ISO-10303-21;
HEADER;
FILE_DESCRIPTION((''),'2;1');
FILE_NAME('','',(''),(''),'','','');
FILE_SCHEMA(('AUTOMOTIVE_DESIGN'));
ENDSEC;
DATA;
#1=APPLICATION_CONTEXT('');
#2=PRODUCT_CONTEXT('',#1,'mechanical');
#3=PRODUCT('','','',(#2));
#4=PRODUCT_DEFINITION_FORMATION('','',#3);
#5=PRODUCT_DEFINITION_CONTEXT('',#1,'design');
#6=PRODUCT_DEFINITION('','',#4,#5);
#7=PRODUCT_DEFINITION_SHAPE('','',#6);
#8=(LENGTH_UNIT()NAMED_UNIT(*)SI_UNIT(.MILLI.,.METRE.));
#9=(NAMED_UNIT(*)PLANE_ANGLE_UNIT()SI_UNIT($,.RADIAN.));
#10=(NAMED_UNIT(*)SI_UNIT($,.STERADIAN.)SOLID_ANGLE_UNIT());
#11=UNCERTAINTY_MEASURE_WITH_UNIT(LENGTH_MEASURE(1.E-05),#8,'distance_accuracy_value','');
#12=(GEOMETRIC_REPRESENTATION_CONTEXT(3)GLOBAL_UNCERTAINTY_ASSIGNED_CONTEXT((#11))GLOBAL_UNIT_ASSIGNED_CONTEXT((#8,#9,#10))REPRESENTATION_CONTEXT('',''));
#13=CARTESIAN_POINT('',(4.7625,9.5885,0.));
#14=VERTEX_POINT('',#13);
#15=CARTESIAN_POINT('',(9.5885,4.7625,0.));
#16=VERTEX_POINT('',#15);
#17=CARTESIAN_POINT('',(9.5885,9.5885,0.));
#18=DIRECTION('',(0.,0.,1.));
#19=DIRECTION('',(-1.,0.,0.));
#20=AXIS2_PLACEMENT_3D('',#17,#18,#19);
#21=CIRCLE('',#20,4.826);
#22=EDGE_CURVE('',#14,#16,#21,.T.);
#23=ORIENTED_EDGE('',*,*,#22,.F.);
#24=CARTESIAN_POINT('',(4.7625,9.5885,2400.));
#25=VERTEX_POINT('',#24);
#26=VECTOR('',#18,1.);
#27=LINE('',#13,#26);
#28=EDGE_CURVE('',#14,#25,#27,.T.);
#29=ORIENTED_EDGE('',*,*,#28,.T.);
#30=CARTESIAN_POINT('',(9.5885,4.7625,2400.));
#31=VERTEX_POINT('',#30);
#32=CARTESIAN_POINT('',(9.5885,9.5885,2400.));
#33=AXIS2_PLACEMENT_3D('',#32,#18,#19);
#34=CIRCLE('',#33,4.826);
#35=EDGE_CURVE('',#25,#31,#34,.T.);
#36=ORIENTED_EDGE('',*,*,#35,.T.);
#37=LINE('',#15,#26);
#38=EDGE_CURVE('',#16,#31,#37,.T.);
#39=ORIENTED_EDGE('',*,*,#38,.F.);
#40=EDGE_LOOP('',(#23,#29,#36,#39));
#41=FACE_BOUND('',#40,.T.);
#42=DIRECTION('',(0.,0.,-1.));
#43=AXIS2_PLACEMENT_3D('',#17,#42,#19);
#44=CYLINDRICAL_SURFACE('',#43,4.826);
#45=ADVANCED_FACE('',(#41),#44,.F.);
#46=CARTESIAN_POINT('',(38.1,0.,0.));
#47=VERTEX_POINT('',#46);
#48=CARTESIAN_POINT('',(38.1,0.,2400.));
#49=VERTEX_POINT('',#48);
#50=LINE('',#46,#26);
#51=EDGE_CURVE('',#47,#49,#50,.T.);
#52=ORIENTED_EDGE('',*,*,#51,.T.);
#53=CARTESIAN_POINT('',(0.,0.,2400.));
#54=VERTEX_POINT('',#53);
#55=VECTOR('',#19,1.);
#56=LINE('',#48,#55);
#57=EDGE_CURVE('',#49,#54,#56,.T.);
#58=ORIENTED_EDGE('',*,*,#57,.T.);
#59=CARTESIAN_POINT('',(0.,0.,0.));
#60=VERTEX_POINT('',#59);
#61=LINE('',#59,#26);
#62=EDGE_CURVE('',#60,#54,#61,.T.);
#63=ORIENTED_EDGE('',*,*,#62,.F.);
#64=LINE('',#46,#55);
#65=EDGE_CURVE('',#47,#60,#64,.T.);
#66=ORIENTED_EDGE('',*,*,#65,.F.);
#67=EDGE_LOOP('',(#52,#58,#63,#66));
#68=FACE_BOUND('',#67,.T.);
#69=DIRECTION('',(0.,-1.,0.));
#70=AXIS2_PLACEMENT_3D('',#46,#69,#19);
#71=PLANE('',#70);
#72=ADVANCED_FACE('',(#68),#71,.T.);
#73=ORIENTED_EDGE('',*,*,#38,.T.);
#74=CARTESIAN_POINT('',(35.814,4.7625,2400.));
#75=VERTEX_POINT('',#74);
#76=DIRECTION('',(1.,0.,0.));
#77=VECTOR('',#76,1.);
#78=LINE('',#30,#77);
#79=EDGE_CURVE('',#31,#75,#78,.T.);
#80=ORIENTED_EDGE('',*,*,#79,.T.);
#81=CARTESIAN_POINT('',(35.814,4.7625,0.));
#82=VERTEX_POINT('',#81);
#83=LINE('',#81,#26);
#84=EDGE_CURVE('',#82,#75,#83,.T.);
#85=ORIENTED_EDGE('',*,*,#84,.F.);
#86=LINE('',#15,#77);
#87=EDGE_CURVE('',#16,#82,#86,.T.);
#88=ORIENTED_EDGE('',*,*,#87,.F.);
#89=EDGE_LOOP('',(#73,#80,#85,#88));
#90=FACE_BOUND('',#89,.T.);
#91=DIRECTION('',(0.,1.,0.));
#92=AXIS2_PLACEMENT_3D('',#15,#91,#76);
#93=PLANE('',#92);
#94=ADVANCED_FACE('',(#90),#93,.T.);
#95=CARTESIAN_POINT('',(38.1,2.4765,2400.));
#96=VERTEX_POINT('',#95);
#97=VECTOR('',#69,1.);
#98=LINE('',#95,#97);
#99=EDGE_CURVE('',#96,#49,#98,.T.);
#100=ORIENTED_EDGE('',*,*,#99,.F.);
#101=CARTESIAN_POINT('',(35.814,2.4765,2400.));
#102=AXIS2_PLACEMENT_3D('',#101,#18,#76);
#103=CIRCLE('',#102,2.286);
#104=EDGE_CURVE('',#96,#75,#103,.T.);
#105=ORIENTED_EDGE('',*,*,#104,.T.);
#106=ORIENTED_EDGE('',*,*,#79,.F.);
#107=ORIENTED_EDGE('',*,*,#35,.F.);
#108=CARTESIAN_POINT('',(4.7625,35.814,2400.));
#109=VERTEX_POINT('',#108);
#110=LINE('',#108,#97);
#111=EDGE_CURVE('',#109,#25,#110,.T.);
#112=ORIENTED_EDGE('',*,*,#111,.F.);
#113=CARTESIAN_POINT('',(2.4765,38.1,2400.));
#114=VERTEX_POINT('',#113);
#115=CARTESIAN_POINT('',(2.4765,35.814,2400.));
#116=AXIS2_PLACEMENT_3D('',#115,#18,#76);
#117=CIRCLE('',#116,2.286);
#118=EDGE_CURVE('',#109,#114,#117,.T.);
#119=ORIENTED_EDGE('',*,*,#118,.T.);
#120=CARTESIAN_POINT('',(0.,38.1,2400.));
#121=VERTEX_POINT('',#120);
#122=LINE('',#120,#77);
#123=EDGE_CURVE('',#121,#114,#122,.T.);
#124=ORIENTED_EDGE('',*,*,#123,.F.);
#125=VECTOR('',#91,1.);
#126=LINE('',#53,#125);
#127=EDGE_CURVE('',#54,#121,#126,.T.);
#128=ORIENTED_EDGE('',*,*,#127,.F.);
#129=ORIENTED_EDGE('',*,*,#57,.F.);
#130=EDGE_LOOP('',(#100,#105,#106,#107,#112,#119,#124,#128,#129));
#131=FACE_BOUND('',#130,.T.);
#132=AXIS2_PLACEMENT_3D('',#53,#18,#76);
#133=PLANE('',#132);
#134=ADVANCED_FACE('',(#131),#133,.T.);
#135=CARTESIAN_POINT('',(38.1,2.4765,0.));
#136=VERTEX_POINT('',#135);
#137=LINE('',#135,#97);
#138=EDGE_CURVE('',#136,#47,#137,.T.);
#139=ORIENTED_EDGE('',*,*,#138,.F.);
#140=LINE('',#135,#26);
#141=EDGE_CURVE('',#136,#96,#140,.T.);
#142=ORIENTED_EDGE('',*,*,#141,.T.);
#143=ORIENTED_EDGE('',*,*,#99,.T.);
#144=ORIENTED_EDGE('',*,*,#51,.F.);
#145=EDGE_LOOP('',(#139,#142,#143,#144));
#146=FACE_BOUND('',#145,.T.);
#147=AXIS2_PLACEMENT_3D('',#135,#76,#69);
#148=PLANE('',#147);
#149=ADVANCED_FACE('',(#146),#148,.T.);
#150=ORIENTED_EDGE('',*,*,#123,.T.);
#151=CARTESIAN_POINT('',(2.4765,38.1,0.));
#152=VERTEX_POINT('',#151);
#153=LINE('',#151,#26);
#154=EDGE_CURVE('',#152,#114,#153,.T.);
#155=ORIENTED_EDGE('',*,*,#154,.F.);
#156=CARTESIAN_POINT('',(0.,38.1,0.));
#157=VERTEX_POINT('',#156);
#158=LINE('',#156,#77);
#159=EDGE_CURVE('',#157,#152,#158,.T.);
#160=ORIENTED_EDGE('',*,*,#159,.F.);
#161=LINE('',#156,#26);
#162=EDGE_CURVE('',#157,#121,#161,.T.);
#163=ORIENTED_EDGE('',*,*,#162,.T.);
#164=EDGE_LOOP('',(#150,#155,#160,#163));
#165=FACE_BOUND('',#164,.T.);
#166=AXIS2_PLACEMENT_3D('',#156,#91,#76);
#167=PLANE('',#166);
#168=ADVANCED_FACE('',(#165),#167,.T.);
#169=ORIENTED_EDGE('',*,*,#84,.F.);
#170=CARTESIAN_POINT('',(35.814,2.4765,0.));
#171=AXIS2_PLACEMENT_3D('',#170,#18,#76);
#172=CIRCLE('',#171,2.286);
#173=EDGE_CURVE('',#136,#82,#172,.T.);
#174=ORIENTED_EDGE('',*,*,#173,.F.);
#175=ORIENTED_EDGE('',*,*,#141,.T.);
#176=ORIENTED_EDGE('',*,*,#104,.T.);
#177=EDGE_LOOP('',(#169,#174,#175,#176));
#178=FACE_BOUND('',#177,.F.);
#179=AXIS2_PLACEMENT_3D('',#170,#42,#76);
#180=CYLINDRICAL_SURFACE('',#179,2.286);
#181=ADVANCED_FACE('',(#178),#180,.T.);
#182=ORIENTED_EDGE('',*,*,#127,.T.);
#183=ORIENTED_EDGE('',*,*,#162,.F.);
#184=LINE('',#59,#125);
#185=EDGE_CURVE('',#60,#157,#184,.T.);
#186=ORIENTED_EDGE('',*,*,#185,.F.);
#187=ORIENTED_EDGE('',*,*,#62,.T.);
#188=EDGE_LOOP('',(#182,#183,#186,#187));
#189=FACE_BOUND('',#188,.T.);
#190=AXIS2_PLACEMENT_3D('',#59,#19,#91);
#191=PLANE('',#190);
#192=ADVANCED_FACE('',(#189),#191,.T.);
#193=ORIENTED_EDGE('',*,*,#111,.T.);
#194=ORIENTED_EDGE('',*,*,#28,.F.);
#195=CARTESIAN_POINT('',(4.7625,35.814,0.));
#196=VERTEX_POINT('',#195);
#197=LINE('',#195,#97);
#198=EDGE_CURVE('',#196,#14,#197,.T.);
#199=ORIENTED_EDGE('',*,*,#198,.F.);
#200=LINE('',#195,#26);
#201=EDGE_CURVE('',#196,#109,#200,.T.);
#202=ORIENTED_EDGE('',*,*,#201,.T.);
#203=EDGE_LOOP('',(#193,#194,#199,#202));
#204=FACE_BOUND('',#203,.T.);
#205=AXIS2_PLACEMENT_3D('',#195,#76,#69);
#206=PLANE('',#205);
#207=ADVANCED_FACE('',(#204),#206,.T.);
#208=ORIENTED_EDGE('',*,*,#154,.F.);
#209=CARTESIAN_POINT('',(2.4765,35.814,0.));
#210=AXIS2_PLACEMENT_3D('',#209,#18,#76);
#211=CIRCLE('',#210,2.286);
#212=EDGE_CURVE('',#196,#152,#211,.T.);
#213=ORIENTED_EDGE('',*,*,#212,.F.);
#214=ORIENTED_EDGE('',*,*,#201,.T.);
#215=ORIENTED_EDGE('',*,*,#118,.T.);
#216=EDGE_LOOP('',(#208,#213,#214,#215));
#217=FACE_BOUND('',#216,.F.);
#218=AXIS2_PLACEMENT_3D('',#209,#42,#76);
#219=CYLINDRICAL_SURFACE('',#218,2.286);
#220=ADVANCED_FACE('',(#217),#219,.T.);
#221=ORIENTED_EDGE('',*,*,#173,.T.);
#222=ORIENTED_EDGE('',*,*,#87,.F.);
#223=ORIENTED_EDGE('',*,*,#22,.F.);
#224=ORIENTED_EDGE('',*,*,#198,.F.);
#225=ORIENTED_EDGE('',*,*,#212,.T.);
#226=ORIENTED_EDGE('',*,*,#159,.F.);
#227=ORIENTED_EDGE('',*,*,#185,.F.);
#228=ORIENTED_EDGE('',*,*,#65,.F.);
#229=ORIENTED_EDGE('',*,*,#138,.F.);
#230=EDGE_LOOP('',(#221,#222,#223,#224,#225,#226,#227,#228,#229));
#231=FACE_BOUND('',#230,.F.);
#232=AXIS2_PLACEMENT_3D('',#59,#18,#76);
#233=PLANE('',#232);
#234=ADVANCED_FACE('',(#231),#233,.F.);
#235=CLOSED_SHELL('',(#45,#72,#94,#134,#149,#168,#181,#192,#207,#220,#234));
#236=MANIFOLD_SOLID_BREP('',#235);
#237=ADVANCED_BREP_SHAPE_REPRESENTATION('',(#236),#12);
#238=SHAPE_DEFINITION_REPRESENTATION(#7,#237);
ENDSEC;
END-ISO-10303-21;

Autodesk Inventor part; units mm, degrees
ref_plane "Plano inicial" through (0, 0, 0) normal (0, 0, 1) x (1, 0, 0)
ref_plane "Plano final" through (0, 0, 2400) normal (0, 0, 1) x (1, 0, 0)
sketch "Boceto" plane through (0, 0, 0) normal (0, 0, 1) x (1, 0, 0)
  line L0 (38.1, 0) -> (0, 0)
  line L1 (0, 0) -> (0, 38.1)
  line L2 (0, 38.1) -> (2.4765, 38.1)
  line L3 (4.7625, 35.814) -> (4.7625, 9.5885)
  line L4 (9.5885, 4.7625) -> (35.814, 4.7625)
  line L5 (38.1, 2.4765) -> (38.1, 0)
  line L6 (0, -11.0414) -> (0, 31.5385) construction
  line L7 (-11.0414, 0) -> (31.5385, 0) construction
  arc A0 (4.7625, 9.5885) -> (9.5885, 4.7625) centre (9.5885, 9.5885) ccw
  arc A1 (4.7625, 35.814) -> (2.4765, 38.1) centre (2.4765, 35.814) ccw
  arc A2 (38.1, 2.4765) -> (35.814, 4.7625) centre (35.814, 2.4765) ccw
  line L8 (0, 48.4964) -> (0, -20.9644) construction
  line L9 (-20.9644, 0) -> (48.4964, 0) construction
  point P0 (4.7625, 38.1)
  point P1 (4.7625, 4.7625)
  point P2 (38.1, 4.7625)
  dimension "d0" = 38.1
  dimension "d1" = 38.1
  dimension "d2" = 4.7625
  dimension "d3" = 4.7625
  dimension "d10" = 0
  dimension "d11" = 0
  dimension "d14" = 4.826
  dimension "d15" = 2.286
extrude "Cuerpo" add sketch "Boceto" along normal up to surface (2400 mm away) from surface at 0
sketch "Sketch3" plane through (0, 0, 0) normal (0, 0, 1) x (1, 0, 0)
  line L0 (0, 0) -> (10, 0)
ref_plane "Work Plane3" through (0, 0, 0) normal (0, -1, 0) x (1, 0, 0)
sketch "Sketch4" plane through (0, 0, 0) normal (0, -1, 0) x (1, 0, 0)
  line L0 (-2, 0) -> (12, 0)
  line L1 (-2, 2400) -> (12, 2400)
  dimension "d17" = 2400
sketch "Boceto5" plane through (0, 0, 2400) normal (0, 0, 1) x (1, 0, 0)
  circle A0 centre (0, 0) radius 58.0803
ref_plane "Plano de trabajo4" through (4.8672, 4.8672, 1401) normal (0, 0, 1) x (1, 0, 0)
equation "\"d0\" = G_H"
equation "\"d1\" = G_H"
equation "\"d2\" = G_T"
equation "\"d3\" = G_T"
equation "\"d14\" = G_IR"
equation "\"d15\" = G_ER"
equation "\"d4\" = G_L"
equation "\"G_H\" = 38.1"
equation "\"G_T\" = 4.7625"
equation "\"G_ER\" = 2.286"
equation "\"G_IR\" = 4.826"
equation "\"G_L\" = d17"
equation "\"ex\" = 0"
equation "\"G_OFFSET_START\" = 0"
equation "\"G_OFFSET_END\" = 0"
properties part number "AISC - L 1,5 x 1,5 x 3/16 - 94,488" material "Acero, suave"
